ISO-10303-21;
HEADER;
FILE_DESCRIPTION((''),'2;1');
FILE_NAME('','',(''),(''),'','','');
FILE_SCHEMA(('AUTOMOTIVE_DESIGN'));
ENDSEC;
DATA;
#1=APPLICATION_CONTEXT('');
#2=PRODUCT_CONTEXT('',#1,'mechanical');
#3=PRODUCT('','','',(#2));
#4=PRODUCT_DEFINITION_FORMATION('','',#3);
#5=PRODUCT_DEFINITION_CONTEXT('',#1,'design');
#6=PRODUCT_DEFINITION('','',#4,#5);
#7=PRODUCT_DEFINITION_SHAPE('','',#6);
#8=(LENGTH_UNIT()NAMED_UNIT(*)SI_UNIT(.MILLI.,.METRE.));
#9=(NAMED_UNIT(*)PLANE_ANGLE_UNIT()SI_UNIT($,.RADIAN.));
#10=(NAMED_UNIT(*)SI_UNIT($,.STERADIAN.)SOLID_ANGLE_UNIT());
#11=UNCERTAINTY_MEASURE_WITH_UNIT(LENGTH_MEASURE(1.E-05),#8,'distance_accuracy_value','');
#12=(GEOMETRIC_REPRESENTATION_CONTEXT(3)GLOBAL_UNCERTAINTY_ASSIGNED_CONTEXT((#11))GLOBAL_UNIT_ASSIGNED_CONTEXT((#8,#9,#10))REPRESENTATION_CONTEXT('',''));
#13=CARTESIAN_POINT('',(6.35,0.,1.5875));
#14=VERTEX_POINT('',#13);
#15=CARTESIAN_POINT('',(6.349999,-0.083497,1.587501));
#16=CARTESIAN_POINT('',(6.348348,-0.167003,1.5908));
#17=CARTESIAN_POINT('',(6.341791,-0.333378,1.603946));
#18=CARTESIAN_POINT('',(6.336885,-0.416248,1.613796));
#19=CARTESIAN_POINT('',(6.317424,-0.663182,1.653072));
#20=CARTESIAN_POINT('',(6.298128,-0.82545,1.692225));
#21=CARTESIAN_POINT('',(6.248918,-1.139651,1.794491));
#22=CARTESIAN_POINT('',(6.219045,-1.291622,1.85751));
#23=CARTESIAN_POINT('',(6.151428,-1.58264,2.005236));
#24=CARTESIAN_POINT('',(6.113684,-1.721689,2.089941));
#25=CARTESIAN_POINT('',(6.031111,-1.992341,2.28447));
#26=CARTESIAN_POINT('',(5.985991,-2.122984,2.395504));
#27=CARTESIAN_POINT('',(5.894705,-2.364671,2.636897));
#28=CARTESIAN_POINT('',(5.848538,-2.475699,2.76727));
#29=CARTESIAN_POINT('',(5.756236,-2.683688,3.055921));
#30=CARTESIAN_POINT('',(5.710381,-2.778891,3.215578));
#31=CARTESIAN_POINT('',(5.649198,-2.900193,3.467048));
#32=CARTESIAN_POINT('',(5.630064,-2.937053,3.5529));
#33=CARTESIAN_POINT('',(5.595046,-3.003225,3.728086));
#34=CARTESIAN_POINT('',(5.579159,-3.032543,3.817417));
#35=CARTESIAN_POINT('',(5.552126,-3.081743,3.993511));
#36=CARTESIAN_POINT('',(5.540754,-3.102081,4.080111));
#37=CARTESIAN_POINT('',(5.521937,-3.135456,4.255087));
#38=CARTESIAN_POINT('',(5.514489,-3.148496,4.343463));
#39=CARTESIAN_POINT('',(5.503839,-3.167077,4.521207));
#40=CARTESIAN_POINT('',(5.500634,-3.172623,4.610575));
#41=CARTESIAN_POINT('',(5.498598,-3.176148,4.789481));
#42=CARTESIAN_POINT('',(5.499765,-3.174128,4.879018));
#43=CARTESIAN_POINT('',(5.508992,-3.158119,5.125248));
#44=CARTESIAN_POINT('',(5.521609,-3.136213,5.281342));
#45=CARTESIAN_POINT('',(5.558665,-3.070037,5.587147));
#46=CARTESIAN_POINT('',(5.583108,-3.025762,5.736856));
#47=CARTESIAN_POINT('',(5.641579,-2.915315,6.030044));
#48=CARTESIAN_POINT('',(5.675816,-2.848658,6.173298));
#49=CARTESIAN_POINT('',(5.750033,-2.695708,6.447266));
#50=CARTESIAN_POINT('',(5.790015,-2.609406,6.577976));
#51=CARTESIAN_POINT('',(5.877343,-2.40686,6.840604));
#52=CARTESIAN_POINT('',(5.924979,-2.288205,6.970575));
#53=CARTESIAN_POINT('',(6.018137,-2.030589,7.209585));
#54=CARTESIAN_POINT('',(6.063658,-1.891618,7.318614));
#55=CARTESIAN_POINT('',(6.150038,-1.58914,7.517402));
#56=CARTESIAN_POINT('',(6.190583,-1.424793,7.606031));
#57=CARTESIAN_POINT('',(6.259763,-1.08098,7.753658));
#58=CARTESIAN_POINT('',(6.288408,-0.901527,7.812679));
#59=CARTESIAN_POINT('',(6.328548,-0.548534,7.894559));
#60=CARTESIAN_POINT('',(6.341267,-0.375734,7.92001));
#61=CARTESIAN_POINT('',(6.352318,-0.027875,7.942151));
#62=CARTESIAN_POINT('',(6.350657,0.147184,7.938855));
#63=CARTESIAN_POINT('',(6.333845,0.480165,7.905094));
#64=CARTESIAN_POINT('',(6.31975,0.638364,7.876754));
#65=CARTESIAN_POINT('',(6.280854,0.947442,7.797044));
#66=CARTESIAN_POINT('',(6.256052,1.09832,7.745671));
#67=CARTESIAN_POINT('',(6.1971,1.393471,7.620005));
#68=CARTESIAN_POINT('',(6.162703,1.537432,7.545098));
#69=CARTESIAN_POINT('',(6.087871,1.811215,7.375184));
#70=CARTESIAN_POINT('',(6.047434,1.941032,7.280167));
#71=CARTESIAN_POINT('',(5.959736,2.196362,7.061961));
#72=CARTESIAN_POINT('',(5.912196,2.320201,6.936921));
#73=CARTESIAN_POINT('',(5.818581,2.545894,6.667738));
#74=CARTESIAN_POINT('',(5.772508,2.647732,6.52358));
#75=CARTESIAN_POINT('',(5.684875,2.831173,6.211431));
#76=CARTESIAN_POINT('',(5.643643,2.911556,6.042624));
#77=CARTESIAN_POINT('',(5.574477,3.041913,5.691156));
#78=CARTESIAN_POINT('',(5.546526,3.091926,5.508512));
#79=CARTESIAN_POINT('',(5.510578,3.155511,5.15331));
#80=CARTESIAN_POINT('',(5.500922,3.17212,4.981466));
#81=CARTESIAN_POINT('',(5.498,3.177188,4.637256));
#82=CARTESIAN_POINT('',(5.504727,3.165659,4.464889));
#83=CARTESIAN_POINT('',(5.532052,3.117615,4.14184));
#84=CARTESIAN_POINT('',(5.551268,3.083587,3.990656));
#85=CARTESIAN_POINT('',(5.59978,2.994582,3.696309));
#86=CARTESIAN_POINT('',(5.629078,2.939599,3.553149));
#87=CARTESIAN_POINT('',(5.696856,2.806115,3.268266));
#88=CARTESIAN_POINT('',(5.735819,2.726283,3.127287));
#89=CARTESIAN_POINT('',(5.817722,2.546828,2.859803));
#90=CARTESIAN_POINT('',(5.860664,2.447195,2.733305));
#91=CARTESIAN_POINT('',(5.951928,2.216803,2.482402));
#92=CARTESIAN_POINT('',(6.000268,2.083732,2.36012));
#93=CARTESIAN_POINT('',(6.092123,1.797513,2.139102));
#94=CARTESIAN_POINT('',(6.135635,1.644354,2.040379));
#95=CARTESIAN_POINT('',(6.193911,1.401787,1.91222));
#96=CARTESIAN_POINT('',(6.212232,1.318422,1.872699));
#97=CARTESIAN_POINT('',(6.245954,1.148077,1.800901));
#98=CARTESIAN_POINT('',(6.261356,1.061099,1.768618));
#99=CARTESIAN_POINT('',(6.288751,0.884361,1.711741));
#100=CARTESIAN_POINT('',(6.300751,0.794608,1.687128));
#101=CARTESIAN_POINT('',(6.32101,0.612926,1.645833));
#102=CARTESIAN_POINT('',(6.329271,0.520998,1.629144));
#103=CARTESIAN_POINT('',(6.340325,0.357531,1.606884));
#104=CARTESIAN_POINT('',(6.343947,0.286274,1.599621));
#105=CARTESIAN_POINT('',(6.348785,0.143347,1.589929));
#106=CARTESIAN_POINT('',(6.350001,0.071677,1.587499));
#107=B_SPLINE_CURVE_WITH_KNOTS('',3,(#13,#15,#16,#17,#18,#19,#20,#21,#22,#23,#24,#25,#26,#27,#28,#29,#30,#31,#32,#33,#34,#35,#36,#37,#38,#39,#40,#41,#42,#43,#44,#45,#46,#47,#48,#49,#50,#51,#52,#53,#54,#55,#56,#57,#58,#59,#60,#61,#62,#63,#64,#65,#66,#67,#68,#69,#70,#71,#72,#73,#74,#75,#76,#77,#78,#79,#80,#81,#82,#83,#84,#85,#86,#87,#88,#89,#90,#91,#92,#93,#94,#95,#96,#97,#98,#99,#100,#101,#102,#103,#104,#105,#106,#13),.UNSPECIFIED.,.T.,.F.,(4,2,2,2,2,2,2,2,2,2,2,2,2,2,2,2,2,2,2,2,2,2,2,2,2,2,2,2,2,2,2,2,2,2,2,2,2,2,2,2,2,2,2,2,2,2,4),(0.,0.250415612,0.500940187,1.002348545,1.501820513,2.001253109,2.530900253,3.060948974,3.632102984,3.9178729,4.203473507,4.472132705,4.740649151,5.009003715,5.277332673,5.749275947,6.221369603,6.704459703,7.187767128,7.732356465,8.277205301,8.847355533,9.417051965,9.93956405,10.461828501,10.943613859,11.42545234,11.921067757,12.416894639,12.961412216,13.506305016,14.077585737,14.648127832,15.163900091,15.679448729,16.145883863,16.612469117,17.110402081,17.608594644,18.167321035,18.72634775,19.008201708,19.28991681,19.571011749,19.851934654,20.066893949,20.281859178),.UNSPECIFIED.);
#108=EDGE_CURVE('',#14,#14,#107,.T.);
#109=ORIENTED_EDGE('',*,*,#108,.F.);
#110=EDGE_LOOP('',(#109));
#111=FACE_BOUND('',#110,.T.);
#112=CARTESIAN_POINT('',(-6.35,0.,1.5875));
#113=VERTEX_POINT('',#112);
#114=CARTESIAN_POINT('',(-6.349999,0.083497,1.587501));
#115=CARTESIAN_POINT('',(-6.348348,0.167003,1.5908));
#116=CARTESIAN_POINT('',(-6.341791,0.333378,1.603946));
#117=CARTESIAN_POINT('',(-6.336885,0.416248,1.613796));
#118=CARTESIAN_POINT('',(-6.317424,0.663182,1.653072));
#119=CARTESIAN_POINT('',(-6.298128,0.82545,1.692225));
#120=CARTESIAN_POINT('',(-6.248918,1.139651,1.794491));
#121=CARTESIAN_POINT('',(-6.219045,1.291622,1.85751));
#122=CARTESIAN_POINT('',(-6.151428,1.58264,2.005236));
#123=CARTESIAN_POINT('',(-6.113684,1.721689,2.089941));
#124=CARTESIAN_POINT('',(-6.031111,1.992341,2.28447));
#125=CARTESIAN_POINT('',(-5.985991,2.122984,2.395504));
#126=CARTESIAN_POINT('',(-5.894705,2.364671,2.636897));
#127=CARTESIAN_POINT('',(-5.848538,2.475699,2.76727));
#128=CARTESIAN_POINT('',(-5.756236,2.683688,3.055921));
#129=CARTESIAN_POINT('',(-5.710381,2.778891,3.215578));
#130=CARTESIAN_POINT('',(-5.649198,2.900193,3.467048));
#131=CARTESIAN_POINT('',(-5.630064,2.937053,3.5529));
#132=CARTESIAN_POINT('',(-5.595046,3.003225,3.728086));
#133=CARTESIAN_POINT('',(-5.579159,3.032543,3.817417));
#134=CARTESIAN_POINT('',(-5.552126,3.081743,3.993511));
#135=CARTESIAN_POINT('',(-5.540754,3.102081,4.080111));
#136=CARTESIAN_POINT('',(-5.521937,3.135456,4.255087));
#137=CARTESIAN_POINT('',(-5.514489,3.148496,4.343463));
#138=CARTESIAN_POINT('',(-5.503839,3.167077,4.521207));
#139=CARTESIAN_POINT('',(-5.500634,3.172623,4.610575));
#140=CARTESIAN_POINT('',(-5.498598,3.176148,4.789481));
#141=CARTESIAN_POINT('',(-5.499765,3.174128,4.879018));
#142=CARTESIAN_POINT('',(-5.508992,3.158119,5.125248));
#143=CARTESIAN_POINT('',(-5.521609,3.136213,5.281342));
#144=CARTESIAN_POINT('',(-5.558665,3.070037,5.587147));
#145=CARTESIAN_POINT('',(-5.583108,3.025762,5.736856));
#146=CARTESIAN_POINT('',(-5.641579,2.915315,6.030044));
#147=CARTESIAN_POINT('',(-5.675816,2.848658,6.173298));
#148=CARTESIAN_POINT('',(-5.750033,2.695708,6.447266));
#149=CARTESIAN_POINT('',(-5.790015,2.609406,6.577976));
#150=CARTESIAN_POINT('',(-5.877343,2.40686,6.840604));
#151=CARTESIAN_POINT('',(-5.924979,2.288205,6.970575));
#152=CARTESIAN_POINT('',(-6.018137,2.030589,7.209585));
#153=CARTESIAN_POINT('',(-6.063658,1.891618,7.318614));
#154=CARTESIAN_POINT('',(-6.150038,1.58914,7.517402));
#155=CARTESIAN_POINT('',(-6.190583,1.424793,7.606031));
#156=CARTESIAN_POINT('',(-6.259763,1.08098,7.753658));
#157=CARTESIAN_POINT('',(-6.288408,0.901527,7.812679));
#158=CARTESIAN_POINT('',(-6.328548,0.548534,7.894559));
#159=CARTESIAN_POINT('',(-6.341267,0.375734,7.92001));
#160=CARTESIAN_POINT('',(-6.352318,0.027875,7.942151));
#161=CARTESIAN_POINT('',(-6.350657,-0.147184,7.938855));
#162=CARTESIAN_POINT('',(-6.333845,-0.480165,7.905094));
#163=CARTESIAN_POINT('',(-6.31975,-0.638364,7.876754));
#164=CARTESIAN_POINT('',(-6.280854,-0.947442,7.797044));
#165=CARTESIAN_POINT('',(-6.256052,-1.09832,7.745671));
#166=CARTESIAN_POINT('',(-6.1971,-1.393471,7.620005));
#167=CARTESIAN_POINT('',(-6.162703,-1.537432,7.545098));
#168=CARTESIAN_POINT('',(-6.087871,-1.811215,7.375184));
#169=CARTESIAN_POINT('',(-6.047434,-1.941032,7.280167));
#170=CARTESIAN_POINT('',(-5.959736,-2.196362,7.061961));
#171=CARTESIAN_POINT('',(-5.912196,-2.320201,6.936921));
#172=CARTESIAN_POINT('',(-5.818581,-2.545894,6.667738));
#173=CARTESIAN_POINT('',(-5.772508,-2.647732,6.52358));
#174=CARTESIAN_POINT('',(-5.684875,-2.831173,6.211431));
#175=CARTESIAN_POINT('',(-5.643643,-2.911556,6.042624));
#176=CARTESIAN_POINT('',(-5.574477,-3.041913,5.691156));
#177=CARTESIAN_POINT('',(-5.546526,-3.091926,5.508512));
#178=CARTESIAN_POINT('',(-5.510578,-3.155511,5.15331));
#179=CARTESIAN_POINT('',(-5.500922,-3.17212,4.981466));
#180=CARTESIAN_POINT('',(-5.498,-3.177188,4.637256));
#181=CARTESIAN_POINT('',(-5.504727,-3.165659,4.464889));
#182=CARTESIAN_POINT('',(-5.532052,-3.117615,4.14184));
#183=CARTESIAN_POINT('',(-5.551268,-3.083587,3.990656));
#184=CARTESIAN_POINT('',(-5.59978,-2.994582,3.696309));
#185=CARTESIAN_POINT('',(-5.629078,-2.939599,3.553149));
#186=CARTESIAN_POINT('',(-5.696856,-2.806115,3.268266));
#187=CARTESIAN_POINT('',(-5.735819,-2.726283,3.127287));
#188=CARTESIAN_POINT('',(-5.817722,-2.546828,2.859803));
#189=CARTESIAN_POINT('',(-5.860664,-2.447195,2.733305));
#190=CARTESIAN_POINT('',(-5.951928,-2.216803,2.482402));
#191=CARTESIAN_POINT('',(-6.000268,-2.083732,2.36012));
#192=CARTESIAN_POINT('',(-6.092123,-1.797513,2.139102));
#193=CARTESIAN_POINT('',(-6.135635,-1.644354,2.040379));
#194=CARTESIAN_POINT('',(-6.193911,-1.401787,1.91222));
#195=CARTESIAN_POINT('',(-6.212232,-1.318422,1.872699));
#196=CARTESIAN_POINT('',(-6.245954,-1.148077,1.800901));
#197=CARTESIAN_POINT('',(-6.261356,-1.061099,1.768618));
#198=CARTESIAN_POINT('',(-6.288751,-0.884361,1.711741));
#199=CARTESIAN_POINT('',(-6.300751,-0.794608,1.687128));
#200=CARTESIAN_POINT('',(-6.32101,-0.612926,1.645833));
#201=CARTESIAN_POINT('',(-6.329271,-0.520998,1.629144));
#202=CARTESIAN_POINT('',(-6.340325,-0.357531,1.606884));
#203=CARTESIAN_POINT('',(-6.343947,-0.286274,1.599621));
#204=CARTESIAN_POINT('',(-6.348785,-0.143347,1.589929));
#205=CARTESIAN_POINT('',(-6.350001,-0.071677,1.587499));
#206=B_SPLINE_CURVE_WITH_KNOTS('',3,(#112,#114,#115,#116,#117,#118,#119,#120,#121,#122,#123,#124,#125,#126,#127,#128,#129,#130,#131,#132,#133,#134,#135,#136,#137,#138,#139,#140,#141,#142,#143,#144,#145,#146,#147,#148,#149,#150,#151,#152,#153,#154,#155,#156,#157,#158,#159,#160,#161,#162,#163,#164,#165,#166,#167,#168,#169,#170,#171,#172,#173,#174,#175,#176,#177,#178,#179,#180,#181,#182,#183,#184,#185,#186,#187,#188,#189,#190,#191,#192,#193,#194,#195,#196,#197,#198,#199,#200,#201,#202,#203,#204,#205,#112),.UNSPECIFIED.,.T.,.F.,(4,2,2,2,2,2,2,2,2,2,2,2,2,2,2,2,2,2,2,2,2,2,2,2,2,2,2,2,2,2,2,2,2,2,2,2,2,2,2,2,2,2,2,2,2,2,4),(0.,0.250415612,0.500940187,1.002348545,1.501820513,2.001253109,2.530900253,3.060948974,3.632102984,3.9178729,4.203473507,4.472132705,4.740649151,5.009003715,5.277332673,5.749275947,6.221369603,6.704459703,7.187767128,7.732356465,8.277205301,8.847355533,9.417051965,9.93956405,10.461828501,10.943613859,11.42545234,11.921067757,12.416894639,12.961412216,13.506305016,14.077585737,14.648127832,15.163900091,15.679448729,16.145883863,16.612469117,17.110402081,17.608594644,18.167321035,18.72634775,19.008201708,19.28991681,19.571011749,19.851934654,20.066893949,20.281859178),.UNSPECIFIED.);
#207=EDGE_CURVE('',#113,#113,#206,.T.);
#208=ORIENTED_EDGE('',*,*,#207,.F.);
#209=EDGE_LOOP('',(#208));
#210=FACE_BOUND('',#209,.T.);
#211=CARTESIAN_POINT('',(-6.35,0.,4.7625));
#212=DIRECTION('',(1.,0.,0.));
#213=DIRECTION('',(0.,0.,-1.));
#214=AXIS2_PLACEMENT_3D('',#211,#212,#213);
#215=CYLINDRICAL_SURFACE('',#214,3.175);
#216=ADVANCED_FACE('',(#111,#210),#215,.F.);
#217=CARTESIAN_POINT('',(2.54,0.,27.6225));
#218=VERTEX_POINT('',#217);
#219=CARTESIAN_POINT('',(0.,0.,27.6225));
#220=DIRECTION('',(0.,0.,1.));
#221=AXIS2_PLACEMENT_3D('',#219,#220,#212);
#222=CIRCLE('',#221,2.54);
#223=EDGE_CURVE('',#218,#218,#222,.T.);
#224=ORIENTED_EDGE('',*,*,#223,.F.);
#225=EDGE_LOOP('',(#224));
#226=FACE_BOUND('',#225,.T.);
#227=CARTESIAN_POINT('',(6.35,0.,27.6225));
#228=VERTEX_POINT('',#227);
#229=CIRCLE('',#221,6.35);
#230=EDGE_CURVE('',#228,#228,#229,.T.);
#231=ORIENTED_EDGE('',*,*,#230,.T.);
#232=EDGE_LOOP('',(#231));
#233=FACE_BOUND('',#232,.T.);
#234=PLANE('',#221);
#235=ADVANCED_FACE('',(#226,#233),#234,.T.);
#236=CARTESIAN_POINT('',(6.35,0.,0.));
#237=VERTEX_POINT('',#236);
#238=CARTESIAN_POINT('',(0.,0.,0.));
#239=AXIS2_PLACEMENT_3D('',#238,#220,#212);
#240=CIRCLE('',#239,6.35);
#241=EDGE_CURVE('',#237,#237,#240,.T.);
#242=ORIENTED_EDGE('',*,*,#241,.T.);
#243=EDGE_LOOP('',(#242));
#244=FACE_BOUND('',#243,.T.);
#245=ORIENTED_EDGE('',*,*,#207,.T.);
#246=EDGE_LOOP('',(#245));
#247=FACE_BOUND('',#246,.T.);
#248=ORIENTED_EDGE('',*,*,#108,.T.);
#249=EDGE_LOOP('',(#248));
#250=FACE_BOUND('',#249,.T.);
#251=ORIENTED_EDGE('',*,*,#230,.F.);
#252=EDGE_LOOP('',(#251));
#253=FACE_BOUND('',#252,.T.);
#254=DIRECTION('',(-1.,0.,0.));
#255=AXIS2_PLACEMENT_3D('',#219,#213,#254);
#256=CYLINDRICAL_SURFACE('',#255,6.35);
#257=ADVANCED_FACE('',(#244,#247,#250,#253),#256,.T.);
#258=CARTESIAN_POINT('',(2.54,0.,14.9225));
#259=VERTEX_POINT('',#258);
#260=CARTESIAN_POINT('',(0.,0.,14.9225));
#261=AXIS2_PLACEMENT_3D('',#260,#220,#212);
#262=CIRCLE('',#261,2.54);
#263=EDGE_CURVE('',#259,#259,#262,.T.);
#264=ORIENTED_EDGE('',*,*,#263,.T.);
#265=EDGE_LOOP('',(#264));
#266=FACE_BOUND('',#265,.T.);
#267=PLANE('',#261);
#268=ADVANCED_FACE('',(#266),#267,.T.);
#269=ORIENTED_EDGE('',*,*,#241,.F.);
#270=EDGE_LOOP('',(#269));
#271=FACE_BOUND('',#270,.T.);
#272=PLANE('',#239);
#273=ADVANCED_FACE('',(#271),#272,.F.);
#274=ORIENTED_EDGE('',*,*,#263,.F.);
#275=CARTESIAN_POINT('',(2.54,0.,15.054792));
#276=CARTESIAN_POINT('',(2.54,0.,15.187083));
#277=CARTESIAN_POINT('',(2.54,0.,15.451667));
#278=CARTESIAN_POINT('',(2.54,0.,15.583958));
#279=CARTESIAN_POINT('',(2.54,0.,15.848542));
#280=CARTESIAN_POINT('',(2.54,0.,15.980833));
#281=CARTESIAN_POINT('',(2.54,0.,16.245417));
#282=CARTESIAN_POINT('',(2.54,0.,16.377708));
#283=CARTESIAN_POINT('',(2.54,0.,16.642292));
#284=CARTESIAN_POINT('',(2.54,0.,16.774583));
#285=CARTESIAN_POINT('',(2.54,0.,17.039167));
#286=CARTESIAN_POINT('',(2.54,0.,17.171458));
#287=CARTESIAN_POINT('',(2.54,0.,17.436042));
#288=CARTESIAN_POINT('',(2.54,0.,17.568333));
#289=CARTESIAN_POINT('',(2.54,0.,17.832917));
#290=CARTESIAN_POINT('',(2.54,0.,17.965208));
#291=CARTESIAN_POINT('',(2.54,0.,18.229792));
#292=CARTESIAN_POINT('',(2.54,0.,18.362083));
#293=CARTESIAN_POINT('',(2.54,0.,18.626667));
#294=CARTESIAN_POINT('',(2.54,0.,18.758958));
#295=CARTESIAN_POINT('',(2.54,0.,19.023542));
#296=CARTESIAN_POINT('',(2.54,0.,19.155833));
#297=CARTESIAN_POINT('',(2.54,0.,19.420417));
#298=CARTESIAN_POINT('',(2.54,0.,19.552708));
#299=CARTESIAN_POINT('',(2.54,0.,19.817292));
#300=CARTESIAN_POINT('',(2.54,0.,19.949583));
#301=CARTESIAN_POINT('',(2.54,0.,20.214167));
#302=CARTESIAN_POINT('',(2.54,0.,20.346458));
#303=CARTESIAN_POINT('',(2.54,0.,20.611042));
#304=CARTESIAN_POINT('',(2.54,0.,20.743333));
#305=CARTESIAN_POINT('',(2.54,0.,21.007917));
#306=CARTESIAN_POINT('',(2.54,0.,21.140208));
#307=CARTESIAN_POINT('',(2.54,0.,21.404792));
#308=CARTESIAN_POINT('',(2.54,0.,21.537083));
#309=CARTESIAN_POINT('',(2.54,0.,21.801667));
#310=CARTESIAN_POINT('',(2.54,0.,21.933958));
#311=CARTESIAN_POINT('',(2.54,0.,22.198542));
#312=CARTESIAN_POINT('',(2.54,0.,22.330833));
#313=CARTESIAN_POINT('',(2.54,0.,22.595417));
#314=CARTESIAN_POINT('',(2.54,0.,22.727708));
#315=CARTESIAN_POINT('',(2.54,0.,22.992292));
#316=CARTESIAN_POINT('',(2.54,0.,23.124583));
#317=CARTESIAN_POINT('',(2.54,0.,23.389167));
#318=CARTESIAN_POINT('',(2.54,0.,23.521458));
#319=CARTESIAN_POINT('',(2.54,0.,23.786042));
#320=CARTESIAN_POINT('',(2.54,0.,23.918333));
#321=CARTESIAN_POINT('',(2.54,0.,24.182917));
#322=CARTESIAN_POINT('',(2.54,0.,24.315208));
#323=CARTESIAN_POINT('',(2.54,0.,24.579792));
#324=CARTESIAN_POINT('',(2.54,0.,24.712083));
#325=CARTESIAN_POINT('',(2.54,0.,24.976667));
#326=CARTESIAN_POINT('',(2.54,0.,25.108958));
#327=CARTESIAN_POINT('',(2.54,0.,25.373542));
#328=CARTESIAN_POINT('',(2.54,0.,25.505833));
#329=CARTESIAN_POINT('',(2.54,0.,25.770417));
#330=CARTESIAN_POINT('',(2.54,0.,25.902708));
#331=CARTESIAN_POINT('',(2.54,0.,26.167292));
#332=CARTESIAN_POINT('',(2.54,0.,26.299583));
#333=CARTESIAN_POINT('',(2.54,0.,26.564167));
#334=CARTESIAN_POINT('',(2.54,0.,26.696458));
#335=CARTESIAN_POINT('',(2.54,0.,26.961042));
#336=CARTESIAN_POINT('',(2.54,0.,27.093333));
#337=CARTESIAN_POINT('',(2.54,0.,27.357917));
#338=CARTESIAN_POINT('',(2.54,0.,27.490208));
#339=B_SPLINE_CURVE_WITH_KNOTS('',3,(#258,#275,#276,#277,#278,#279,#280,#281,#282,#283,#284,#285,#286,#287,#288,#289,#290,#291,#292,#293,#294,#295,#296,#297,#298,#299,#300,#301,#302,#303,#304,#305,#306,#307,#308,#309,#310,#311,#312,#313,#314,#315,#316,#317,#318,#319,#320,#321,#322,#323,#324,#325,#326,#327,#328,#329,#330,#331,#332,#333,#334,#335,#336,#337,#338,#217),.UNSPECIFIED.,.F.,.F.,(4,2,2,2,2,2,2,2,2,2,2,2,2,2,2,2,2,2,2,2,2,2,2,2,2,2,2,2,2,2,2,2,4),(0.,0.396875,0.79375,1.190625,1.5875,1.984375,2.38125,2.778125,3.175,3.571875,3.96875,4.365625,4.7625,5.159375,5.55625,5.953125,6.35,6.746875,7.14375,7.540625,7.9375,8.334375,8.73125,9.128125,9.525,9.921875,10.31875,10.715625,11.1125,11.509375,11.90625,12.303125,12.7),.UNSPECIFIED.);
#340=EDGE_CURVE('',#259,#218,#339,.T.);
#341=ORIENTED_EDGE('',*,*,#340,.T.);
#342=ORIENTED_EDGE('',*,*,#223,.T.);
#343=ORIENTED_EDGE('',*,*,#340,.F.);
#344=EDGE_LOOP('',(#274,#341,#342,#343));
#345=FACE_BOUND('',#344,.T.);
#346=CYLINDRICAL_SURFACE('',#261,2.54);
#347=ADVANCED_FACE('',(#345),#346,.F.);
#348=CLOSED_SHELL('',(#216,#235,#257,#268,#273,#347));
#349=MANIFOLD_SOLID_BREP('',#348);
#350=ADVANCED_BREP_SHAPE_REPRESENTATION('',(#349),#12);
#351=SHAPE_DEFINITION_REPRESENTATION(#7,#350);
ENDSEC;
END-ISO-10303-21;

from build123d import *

# Parameters (mm, degrees)
SKETCH1_R               = 6.35
BOSS_EXTRUDE1_DEPTH     = 27.6225
CUT_EXTRUDE2_DEPTH      = 30.045610791
CUT_EXTRUDE2_DEPTH_BACK = 30.045610791
SKETCH3_R               = 3.175
SKETCH2_2_R             = 2.54
CUT_EXTRUDE3_DEPTH      = 12.7


with BuildPart() as part:
    # Sketch1 → Boss-Extrude1 (new body)
    with BuildSketch(Plane.XY):
        Circle(SKETCH1_R)
    extrude(amount=BOSS_EXTRUDE1_DEPTH)

    # Sketch3 → Cut-Extrude2 (cut, two sides: drawn at the far end of the back side and taken through both)
    with BuildSketch(Plane(origin=(0, 0, 0), x_dir=(0, 0, -1), z_dir=(1, 0, 0)).offset(-CUT_EXTRUDE2_DEPTH_BACK)):
        with Locations((-4.7625, 0)):
            Circle(SKETCH3_R)
    extrude(amount=CUT_EXTRUDE2_DEPTH + CUT_EXTRUDE2_DEPTH_BACK, mode=Mode.SUBTRACT)

    # Sketch2<2> → Cut-Extrude3 (cut)
    with BuildSketch(Plane.XY.offset(27.6225)):
        Circle(SKETCH2_2_R)
    extrude(amount=-CUT_EXTRUDE3_DEPTH, mode=Mode.SUBTRACT)


solid = part.part
